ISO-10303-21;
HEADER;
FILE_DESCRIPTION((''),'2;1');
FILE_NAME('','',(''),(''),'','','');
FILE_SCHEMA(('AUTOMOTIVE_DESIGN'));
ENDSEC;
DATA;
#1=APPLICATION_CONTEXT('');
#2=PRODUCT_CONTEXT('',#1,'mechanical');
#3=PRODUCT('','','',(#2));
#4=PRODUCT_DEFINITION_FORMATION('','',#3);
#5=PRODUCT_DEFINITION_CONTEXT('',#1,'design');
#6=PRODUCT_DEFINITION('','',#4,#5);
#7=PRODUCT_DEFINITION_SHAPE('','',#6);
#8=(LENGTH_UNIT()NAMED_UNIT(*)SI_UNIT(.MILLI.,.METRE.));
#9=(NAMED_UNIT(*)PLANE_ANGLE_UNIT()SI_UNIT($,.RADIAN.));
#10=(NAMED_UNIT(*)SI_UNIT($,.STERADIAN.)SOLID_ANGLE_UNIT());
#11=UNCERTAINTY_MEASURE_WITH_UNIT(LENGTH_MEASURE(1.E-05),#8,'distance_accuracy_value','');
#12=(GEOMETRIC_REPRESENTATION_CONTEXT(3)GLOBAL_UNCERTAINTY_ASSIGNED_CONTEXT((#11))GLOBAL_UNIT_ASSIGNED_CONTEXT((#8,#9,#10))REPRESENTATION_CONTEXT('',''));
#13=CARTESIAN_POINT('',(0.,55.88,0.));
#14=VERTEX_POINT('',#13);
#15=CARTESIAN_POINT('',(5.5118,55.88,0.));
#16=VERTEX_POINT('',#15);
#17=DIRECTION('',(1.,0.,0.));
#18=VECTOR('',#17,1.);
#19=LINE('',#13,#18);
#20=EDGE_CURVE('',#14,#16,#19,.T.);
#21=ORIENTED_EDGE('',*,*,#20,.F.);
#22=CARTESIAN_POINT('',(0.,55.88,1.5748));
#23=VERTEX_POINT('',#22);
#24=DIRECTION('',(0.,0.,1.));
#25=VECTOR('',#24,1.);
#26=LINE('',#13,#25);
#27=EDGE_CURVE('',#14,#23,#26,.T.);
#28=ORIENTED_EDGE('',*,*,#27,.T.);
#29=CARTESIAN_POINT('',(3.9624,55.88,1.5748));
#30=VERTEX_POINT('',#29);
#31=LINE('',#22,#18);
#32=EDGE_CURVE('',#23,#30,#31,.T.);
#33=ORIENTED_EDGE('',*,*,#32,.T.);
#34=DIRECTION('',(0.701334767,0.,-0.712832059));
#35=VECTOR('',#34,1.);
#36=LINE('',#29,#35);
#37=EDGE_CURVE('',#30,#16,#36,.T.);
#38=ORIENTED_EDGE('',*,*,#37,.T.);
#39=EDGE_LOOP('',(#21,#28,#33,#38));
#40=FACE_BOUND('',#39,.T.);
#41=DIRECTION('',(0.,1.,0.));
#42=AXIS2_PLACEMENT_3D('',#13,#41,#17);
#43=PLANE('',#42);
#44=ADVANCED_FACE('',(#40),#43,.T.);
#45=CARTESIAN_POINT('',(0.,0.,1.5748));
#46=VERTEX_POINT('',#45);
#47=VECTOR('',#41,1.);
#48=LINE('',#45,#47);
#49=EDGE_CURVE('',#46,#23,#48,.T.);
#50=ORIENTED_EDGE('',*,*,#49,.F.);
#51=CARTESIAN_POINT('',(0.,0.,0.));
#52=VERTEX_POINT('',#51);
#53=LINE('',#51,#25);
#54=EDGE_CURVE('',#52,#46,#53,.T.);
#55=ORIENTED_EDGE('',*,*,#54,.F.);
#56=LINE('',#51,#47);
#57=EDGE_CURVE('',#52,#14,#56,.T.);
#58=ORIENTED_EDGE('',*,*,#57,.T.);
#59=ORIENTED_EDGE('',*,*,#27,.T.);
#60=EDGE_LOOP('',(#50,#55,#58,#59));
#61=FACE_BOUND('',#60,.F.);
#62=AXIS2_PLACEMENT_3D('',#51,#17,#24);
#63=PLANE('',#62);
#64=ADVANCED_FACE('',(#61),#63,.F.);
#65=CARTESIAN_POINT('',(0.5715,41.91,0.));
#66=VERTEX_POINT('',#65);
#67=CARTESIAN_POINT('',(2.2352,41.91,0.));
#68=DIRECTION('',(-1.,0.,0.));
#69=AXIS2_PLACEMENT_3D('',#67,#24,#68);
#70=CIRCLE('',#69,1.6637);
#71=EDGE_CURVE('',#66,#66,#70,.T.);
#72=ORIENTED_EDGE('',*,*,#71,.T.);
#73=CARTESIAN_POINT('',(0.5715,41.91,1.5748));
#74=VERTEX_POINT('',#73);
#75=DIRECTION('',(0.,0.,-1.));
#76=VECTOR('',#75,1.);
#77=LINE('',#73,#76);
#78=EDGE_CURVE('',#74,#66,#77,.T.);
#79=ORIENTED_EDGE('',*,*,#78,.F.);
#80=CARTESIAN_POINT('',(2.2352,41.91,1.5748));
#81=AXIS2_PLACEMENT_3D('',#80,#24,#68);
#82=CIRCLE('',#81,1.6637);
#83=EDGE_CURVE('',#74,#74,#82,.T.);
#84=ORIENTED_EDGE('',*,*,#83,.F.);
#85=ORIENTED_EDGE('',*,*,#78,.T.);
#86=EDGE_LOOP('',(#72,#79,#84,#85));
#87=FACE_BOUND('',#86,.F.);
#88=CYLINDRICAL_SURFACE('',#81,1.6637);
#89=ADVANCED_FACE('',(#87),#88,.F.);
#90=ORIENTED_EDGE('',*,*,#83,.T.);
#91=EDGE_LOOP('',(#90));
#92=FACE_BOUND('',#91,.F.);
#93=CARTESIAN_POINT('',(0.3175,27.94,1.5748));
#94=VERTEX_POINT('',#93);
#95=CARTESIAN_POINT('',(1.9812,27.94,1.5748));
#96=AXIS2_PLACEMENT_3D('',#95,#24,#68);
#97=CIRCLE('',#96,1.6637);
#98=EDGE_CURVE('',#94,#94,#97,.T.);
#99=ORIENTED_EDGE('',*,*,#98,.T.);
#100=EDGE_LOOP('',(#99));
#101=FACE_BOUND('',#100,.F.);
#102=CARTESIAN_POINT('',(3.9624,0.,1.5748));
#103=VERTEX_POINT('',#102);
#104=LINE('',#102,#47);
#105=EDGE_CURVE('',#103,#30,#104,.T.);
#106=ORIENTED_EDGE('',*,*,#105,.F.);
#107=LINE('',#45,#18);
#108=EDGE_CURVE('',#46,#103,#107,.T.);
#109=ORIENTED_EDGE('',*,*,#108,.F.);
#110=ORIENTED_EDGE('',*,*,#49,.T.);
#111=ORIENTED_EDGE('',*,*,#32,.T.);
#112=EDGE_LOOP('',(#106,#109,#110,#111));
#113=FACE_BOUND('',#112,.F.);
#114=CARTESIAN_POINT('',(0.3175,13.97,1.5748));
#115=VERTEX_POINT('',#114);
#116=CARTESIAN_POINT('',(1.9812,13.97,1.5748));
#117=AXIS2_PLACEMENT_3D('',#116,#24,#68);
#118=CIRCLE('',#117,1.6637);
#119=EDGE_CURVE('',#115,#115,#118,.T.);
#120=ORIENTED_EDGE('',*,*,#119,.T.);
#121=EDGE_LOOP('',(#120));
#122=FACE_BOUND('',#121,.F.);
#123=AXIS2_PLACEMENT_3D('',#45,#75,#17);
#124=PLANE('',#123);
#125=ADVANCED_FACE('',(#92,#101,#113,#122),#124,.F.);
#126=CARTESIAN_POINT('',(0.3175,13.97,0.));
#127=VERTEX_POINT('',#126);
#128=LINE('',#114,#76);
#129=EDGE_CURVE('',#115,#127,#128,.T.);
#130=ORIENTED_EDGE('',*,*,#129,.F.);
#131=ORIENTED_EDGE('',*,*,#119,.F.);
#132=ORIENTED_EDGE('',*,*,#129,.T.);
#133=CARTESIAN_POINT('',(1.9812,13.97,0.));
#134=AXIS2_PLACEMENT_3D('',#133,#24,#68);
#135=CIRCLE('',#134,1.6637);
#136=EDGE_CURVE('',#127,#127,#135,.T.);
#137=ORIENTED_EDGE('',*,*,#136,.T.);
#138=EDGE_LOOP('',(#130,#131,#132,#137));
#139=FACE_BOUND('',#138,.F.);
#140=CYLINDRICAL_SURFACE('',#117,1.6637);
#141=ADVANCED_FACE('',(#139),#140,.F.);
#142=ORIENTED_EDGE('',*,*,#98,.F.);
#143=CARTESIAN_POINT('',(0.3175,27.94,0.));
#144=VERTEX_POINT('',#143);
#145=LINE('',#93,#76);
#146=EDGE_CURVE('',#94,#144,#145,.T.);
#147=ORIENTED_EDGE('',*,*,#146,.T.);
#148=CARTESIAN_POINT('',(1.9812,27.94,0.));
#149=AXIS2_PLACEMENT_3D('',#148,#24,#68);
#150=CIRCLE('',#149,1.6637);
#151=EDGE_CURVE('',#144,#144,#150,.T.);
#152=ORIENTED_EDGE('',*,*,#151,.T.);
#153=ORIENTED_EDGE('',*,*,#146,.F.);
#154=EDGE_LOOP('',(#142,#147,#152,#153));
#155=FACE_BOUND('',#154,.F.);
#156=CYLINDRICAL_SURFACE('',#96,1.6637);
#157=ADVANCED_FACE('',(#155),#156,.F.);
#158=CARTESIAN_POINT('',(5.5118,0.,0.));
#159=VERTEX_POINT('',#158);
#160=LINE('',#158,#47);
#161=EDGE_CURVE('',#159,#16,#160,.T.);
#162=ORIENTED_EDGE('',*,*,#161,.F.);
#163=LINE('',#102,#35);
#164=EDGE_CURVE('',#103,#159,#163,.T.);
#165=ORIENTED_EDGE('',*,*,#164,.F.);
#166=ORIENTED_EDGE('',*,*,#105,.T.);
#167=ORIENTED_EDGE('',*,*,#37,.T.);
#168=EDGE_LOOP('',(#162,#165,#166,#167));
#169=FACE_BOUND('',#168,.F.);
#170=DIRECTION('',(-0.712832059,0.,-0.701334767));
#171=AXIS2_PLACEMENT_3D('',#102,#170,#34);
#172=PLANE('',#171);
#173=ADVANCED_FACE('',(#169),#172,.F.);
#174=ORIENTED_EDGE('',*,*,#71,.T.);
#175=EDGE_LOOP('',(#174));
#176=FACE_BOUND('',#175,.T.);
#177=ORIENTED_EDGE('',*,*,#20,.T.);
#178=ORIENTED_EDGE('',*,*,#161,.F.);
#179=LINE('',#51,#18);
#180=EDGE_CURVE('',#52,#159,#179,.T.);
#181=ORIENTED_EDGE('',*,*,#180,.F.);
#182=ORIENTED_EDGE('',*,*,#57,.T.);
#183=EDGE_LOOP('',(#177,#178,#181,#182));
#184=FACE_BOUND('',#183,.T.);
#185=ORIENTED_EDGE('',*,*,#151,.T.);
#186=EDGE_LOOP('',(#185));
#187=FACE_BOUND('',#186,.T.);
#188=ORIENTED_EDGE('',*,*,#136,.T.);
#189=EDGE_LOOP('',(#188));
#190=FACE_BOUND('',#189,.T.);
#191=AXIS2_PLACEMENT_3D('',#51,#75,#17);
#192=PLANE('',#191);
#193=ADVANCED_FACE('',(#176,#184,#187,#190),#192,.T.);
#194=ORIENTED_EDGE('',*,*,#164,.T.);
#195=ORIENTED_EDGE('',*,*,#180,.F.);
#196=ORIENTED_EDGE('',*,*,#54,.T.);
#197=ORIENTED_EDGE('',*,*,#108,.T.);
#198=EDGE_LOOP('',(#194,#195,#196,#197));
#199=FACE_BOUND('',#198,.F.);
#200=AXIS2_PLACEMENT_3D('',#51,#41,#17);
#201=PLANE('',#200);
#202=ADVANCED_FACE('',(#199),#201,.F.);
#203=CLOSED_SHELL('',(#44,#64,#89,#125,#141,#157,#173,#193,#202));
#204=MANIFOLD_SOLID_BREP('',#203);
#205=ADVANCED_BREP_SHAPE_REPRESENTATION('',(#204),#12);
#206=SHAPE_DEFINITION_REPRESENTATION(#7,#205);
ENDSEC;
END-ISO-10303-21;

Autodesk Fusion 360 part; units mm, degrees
sketch "Sketch1" plane through (0, 0, 0) normal (0, 1, 0) x (1, 0, 0)
  line L0 (0, 0) -> (5.5118, 0)
  line L1 (0, 0) -> (0, -1.5748)
  line L2 (0, -1.5748) -> (3.9624, -1.5748)
  line L3 (3.9624, -1.5748) -> (5.5118, 0)
  dimension "d1" = 5.5118
  dimension "d2" = 1.5748
extrude "Extrude1" add sketch "Sketch1" along normal blind 55.88
sketch "Sketch2" plane through (0, 0, 1.5748) normal (0, 0, 1) x (-1, 0, 0)
  line L0 (0, 0) -> (-3.9624, 0)
  line L1 (-3.9624, 0) -> (-3.9624, -55.88)
  line L2 (-3.9624, -55.88) -> (0, -55.88)
  line L3 (0, -55.88) -> (0, 0)
  line L4 (0, -55.88) -> (-3.9624, -55.88)
  line L5 (-3.9624, -55.88) -> (-3.9624, 0)
  line L6 (-3.9624, 0) -> (0, 0)
  line L7 (0, 0) -> (0, -55.88)
  line L8 (0, -27.94) -> (-3.9624, -27.94) construction
  circle A0 centre (-1.9812, -27.94) radius 1.6637
  line L9 (-1.9812, -27.94) -> (-1.9812, 0) construction
  circle A1 centre (-1.9812, -13.97) radius 1.6637
  circle A2 centre (-2.2352, -41.91) radius 1.6637
  dimension "d11" = 3.3274
  dimension "d12" = 3.3274
  dimension "d13" = 3.3274
extrude "Extrude2" cut sketch "Sketch2" against normal blind 7.62 contours A0 | A1 | A2
